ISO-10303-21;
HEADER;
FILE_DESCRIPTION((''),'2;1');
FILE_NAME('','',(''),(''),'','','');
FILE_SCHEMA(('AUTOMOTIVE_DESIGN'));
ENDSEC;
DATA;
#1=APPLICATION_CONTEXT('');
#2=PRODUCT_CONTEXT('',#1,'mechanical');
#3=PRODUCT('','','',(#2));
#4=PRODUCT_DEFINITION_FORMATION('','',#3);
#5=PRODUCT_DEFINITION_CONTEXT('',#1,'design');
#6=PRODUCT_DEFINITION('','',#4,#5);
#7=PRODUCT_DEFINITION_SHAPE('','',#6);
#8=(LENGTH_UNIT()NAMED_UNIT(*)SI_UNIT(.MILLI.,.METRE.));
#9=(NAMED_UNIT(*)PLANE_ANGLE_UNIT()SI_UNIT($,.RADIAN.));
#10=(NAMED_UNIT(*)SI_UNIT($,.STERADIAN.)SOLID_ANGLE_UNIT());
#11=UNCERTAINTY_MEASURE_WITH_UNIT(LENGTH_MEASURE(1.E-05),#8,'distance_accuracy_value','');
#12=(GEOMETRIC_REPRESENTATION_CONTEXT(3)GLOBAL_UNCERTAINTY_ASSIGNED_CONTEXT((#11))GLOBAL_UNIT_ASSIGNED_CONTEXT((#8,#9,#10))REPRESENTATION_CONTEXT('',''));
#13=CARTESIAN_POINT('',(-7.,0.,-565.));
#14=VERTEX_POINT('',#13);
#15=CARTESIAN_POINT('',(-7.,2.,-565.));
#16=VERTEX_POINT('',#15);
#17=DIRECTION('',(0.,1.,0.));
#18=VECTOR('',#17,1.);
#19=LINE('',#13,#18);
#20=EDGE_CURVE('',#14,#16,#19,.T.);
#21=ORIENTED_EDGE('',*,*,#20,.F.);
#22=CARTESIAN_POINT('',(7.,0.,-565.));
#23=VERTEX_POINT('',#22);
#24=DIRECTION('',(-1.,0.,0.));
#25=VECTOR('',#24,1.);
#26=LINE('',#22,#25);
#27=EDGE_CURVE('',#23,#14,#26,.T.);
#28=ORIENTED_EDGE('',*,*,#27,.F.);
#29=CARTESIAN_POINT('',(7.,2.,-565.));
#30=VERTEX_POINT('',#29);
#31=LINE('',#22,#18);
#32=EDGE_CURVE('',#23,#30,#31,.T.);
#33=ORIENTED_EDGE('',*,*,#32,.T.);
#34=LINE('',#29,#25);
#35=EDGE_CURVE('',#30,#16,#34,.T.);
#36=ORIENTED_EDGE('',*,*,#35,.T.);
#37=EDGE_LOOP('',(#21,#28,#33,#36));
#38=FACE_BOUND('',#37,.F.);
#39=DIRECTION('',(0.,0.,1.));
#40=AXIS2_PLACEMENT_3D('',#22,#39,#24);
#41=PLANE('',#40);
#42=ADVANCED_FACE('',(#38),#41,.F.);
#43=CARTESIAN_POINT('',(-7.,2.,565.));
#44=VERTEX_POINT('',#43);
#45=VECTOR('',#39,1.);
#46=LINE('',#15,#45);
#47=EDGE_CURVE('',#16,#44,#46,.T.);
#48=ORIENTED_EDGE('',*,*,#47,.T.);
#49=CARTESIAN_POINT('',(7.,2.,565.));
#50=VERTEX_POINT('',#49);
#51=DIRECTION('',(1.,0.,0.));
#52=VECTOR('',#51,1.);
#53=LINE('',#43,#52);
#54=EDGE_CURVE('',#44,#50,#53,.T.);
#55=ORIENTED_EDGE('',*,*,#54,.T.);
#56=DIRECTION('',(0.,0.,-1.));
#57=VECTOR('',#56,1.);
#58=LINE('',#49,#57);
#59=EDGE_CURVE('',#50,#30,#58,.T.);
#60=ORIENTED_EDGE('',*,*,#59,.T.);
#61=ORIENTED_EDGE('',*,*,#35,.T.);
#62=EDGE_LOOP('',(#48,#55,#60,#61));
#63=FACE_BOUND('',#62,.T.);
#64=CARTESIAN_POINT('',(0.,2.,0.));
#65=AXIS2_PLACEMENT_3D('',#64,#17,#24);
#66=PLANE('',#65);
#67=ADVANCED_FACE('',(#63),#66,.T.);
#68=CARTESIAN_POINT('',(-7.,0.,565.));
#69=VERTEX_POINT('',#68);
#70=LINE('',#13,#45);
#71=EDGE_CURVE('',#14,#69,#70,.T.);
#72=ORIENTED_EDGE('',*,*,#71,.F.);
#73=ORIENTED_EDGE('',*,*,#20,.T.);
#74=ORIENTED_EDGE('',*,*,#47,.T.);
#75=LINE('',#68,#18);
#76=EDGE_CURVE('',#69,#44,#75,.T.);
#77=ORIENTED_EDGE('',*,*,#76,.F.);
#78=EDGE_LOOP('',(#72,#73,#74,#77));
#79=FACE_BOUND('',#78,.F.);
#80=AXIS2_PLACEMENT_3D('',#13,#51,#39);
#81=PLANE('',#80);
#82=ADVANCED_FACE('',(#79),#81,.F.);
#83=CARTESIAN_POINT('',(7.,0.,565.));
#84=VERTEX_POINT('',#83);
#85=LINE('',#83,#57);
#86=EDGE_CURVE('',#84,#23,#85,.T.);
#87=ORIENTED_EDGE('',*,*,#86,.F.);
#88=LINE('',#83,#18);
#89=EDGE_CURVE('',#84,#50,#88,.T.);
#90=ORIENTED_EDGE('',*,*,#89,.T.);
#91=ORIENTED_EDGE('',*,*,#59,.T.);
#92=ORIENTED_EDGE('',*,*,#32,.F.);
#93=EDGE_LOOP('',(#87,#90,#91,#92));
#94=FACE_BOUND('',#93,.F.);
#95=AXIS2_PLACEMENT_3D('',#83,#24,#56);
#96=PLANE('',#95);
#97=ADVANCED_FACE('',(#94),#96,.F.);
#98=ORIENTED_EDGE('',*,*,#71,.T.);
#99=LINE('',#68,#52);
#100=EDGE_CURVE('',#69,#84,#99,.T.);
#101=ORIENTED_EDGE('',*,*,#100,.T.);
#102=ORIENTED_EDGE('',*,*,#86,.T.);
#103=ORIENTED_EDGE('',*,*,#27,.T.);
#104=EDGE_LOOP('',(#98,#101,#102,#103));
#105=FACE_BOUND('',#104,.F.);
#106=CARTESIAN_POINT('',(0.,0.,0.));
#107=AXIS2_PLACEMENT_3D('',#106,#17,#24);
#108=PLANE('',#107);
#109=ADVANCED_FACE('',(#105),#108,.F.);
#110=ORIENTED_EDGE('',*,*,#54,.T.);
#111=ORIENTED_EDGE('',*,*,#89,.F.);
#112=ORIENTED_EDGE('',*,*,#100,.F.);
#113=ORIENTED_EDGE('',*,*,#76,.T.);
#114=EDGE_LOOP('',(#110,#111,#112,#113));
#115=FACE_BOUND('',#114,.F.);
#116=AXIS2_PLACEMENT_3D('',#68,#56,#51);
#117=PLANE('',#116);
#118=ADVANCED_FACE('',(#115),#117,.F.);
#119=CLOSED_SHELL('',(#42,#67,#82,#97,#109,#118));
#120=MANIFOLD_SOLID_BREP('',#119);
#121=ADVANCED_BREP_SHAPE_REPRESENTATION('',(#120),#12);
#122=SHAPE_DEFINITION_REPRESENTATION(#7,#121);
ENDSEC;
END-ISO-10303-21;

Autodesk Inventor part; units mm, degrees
ref_plane "YZ Plane" through (0, 0, 0) normal (1, 0, 0) x (0, 1, 0)
ref_plane "XZ Plane" through (0, 0, 0) normal (0, 1, 0) x (-1, 0, 0)
ref_plane "XY Plane" through (0, 0, 0) normal (0, 0, 1) x (1, 0, 0)
sketch "Sketch1" plane through (0, 0, 0) normal (0, 1, 0) x (-1, 0, 0)
  line L0 (7, 565) -> (-7, 565)
  line L1 (-7, 565) -> (-7, -565)
  line L2 (-7, -565) -> (7, -565)
  line L3 (7, -565) -> (7, 565)
  line L4 (7, 565) -> (-7, -565) construction
  line L5 (-7, 565) -> (7, -565) construction
  point P0 (0, 0)
  dimension "d0" = 14
  dimension "d1" = 1130
extrude "Extrusion1" add sketch "Sketch1" along normal blind 2
properties part number "SP57V1 Felpa Detectores" material "Fabric"
